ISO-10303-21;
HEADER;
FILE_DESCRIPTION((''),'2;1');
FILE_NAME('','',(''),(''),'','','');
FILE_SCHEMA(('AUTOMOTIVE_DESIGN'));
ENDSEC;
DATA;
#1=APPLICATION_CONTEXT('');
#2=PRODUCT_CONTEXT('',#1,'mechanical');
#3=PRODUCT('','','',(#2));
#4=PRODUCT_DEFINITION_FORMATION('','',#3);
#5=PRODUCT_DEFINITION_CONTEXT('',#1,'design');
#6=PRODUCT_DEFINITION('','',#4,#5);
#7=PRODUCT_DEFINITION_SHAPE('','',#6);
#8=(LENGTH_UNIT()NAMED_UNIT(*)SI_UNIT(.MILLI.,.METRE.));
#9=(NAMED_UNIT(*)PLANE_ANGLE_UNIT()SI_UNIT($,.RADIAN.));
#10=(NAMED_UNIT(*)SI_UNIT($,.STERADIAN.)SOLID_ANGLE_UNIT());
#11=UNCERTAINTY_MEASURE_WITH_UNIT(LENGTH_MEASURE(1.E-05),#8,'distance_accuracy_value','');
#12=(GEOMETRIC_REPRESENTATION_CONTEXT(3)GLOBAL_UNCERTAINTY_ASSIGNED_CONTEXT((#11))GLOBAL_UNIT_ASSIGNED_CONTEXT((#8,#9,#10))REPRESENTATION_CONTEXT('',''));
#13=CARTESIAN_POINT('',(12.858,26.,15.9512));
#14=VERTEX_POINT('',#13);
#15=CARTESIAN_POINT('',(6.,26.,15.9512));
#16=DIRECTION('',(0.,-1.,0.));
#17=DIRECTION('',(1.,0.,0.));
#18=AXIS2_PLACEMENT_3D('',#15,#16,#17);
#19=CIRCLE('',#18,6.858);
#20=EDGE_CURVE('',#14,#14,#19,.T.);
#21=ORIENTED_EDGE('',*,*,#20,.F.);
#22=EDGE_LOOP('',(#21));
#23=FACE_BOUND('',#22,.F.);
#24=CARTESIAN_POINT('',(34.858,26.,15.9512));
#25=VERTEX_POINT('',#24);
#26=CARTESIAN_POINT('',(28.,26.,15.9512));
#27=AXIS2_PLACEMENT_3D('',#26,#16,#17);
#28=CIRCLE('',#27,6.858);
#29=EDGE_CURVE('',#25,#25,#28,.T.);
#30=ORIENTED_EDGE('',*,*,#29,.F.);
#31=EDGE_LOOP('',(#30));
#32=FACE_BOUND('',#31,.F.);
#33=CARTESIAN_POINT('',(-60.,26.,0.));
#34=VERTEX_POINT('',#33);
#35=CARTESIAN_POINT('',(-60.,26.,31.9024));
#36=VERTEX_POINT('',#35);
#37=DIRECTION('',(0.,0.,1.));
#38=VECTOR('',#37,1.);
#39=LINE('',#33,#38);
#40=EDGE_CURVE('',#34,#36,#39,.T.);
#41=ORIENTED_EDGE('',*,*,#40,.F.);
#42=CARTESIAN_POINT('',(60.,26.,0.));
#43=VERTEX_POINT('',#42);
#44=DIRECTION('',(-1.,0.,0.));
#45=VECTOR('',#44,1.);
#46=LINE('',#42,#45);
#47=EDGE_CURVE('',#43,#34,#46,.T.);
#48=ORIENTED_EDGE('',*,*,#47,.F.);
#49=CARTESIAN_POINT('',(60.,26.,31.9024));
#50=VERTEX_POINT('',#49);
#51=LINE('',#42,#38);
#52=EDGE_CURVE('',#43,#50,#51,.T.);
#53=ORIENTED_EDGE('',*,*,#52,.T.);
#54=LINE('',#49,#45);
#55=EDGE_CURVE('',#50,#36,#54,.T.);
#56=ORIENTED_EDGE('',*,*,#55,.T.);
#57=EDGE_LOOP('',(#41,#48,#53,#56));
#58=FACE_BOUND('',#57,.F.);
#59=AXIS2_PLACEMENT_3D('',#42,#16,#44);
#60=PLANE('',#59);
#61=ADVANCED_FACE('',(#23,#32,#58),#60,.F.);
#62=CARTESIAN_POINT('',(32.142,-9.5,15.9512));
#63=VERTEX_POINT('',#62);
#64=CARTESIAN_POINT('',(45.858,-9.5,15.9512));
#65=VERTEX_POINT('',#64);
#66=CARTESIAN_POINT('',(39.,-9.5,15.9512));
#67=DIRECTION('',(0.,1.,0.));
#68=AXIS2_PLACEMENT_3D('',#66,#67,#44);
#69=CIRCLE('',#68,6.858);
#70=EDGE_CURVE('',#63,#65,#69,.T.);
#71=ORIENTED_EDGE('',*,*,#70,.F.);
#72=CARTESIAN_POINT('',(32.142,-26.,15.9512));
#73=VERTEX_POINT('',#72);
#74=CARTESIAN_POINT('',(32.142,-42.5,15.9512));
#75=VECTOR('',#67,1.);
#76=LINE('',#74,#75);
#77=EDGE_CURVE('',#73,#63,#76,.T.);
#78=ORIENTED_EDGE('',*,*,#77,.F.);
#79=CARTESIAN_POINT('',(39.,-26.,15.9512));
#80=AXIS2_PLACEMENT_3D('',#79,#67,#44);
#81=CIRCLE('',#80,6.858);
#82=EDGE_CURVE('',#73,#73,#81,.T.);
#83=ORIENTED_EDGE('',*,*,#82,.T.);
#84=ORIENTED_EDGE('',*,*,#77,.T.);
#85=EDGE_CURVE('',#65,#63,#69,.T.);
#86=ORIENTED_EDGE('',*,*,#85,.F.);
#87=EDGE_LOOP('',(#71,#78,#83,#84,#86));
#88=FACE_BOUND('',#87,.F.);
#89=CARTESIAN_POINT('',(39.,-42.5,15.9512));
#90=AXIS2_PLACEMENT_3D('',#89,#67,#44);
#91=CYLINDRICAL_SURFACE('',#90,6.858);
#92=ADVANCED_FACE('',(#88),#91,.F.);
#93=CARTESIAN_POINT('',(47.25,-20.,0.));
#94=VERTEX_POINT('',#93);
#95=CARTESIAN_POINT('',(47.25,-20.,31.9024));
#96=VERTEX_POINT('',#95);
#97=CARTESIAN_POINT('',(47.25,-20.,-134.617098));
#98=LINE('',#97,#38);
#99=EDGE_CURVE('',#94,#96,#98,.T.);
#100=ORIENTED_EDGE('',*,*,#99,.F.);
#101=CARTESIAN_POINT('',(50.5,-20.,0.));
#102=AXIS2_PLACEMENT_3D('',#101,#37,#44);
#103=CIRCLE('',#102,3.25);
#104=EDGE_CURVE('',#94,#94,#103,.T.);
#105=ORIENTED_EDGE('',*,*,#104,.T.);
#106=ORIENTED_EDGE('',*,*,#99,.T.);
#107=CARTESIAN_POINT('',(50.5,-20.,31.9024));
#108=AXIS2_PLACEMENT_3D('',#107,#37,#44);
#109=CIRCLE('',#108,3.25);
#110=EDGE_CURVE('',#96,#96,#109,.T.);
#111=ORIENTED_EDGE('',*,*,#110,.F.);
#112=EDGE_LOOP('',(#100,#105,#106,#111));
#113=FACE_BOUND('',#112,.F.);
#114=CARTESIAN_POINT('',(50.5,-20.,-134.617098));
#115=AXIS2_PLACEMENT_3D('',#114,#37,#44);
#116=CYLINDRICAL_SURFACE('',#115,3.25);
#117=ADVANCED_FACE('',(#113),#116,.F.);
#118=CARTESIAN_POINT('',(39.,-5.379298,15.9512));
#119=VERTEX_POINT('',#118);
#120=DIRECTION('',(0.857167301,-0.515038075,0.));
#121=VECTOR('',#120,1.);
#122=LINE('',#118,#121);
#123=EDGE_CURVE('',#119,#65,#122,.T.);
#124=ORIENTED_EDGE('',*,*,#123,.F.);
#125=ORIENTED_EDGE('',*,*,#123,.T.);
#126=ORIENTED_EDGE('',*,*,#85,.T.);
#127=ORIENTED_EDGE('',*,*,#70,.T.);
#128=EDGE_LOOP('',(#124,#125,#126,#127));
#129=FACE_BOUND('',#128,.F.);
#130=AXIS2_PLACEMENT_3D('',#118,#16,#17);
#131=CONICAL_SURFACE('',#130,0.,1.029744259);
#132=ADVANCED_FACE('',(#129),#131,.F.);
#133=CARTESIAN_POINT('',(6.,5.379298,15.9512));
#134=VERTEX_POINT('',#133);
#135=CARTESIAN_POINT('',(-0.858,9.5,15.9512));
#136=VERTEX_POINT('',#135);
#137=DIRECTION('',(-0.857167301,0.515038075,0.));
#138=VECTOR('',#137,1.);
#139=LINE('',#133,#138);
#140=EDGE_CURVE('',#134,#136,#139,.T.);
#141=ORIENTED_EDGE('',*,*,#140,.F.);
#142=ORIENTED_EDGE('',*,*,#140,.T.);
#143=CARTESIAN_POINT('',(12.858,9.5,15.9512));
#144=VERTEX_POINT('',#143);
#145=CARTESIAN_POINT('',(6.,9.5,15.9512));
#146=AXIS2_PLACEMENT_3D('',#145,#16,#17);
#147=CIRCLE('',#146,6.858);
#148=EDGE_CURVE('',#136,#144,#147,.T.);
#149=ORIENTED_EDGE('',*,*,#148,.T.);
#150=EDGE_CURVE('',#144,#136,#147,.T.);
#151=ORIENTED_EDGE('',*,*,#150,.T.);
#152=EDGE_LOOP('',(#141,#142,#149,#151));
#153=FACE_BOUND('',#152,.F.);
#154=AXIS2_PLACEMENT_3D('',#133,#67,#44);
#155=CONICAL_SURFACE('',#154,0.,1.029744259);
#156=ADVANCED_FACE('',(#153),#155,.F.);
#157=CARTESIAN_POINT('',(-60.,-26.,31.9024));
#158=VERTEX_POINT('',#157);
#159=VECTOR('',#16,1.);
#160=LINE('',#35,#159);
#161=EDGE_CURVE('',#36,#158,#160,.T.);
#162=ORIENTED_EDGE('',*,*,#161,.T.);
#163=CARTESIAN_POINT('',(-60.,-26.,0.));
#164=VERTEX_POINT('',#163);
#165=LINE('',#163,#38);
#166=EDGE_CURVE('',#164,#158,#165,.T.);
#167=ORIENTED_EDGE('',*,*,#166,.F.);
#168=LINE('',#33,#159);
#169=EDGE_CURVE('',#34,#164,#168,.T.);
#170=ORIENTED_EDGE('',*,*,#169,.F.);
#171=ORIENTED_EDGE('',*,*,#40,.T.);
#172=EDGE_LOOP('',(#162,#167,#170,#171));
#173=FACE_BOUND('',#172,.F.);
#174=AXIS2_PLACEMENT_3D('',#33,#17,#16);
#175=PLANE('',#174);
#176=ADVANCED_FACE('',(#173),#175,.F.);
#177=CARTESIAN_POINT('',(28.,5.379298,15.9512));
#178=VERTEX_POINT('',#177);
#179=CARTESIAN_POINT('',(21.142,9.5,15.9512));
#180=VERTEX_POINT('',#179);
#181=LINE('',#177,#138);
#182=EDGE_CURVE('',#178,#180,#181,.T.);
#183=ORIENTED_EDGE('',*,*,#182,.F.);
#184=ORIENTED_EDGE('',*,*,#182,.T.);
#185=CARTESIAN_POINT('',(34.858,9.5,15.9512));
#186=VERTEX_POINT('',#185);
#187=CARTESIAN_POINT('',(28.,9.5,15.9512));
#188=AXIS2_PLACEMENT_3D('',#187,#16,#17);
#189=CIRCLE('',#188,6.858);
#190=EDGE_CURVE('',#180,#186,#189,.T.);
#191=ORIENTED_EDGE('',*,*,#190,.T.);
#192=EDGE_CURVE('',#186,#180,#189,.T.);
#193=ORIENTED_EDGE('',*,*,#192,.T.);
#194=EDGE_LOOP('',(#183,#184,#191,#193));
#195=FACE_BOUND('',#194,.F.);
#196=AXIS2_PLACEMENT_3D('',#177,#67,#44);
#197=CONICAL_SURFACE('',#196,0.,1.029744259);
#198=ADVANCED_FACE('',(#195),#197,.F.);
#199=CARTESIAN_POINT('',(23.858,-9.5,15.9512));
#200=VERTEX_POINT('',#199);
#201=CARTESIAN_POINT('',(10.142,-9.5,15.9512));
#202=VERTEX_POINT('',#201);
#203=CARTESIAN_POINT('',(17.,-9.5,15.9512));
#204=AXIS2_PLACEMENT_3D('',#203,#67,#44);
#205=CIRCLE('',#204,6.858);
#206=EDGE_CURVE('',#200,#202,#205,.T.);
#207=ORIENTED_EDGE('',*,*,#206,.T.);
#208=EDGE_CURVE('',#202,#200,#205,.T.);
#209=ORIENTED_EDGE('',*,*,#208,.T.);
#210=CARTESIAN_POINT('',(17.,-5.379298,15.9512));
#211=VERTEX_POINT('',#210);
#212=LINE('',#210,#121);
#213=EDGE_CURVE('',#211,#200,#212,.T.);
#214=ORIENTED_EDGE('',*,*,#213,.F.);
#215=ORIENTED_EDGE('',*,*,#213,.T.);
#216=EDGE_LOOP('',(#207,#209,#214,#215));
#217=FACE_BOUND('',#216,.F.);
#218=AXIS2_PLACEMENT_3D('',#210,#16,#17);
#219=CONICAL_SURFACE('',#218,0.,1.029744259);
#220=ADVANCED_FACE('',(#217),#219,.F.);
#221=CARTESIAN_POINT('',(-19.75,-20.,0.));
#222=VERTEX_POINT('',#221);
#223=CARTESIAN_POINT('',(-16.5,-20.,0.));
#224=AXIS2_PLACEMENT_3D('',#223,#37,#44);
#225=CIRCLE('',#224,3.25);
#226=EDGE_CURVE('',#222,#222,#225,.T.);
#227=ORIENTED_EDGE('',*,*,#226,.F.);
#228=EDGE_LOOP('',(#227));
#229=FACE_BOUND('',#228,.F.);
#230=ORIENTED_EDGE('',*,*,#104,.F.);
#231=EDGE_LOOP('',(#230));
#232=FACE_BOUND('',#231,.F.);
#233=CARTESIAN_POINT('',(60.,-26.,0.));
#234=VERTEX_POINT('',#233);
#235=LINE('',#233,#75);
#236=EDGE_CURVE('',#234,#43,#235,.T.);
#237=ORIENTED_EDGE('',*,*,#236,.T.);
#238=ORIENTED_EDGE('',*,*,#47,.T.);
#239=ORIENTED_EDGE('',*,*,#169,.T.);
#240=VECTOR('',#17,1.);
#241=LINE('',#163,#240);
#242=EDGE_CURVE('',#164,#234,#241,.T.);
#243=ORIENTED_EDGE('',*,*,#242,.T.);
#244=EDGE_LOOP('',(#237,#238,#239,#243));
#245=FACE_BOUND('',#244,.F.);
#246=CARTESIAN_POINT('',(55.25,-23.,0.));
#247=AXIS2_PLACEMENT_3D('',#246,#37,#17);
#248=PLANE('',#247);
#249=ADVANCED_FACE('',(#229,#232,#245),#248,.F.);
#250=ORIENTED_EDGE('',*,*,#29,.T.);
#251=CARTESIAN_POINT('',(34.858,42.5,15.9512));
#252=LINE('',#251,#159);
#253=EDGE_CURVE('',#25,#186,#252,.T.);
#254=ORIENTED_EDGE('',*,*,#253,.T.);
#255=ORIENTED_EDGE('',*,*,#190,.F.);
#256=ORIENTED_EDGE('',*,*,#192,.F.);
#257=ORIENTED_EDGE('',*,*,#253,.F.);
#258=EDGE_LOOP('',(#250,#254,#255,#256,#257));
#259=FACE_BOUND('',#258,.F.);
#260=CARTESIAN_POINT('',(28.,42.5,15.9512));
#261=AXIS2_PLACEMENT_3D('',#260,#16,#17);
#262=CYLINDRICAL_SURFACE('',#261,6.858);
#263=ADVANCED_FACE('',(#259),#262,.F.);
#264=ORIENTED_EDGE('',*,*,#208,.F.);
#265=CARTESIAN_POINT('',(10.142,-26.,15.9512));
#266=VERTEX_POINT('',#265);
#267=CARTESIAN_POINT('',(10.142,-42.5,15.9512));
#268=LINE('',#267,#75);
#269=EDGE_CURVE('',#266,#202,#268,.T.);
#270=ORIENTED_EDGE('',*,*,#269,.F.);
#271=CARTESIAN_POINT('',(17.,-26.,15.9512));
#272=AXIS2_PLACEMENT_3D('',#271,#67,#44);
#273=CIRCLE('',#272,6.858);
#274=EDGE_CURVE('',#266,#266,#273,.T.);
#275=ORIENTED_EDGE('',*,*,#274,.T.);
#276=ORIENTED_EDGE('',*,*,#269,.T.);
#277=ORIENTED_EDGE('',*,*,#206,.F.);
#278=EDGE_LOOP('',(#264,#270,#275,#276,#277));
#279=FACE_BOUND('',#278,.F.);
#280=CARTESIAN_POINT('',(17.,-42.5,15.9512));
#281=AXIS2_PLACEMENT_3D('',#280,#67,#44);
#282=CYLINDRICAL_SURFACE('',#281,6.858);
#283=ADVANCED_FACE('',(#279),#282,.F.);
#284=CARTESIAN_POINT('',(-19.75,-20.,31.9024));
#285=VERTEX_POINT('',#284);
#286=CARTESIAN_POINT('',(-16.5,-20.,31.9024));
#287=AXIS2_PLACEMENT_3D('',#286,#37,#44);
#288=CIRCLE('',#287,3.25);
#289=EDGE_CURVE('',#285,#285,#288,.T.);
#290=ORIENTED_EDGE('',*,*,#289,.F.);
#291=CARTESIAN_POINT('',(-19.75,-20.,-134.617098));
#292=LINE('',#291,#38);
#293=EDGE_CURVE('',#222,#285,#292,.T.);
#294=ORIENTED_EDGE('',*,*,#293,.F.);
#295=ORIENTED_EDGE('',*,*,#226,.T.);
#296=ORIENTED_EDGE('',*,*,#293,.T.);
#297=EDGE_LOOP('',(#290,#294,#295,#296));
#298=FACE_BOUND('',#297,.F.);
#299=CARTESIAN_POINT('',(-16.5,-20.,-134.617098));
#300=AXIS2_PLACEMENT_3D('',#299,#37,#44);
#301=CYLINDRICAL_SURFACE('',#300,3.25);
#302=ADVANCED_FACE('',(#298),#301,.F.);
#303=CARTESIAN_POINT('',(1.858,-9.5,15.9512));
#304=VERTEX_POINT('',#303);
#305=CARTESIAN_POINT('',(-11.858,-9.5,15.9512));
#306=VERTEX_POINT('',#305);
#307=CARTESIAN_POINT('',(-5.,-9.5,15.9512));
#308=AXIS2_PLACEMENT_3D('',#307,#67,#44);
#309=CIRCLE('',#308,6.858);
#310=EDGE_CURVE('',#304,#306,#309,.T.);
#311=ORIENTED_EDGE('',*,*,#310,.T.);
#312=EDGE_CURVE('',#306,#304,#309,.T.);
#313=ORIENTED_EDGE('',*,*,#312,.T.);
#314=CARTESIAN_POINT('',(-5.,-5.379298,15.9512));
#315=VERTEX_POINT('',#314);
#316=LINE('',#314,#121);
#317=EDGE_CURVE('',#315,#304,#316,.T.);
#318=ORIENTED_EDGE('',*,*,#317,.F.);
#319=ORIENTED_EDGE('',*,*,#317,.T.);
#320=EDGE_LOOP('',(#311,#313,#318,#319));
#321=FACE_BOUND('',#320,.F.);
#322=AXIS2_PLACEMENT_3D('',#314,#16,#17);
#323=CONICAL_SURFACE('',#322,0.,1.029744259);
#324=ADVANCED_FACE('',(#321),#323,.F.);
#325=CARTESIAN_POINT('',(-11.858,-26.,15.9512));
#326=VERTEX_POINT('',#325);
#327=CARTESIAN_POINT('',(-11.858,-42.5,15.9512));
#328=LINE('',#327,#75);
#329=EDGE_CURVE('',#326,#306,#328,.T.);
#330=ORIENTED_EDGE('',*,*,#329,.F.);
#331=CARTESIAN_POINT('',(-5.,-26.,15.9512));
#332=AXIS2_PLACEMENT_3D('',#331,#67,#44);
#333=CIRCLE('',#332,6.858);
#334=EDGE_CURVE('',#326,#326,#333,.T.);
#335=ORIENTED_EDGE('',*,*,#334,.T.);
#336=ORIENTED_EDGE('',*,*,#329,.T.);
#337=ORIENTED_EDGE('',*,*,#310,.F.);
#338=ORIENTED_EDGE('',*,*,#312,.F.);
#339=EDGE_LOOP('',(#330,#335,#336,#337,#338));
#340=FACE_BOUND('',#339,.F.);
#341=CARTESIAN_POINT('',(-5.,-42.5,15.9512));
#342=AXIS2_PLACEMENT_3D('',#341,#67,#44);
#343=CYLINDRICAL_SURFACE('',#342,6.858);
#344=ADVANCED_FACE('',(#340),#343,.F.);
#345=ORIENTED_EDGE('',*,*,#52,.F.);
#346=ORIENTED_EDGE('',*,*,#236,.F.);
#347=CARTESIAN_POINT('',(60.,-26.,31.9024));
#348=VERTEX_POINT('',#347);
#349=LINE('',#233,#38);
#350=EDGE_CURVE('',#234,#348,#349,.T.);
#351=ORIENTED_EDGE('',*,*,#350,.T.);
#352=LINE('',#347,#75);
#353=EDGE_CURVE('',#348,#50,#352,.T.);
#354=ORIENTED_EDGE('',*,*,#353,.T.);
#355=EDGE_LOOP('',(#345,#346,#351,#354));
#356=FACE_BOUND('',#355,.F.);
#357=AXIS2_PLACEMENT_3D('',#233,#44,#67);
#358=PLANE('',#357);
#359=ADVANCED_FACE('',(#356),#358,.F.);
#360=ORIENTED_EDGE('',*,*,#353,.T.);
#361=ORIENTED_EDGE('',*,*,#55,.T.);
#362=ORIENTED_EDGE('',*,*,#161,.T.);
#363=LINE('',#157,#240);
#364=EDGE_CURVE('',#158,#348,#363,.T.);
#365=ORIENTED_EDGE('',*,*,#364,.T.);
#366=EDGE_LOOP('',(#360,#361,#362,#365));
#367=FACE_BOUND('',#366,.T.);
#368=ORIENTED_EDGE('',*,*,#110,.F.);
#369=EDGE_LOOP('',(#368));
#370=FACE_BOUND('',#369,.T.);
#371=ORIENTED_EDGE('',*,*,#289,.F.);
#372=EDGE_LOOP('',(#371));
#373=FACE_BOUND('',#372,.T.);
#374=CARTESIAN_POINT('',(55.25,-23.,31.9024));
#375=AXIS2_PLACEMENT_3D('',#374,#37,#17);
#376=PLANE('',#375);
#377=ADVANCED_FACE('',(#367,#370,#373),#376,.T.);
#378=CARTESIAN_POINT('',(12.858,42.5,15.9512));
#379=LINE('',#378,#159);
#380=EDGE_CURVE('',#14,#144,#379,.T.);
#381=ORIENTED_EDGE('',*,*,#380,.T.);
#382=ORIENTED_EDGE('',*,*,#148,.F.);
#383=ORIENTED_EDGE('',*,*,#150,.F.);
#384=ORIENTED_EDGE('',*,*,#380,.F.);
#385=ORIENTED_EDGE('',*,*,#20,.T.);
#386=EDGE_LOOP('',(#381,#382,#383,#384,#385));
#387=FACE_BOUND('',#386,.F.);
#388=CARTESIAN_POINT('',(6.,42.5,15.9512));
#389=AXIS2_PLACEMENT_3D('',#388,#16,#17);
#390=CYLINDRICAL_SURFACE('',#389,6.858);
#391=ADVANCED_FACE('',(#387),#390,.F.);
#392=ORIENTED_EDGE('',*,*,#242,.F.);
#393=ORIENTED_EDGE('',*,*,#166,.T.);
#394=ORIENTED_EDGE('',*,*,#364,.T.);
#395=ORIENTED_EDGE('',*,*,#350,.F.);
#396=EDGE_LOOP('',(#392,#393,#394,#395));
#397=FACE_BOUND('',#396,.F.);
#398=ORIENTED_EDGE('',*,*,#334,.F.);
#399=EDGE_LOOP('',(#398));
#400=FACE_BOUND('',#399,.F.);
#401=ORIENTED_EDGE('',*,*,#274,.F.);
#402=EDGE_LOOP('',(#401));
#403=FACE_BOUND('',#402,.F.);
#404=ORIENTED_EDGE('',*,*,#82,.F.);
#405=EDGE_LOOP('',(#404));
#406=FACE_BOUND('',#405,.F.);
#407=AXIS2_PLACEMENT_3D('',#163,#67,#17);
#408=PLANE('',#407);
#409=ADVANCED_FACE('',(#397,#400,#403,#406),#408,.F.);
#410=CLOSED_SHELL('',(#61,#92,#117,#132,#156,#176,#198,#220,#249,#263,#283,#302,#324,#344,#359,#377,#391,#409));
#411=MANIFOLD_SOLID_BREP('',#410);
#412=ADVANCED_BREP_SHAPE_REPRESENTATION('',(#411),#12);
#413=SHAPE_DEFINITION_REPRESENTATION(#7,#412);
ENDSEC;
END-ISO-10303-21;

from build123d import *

# Parameters (mm, degrees)
F0_W           = 9.5
F0_H           = 6
F0_W_2         = 67
F0_H_2         = 46
F0_W_3         = 43.5
F1_DEPTH       = 31.9024
F2_D           = 6.5
F5_D           = 13.716
F5_DEPTH       = 16.5
F5_TIP         = 4.1207021253
F5_ON_F4_D     = 13.716
F5_ON_F4_DEPTH = 16.5
F5_ON_F4_TIP   = 4.1207021253


with BuildPart() as f1:
    # F0 (on Top) → F1 (new body)
    with BuildSketch(Plane.XY):
        with Locations((55.25, -23)):
            Rectangle(F0_W, F0_H)
        with Locations((17, -23)):
            Rectangle(F0_W_2, F0_H)
        with Locations((55.25, 3)):
            Rectangle(F0_W, F0_H_2)
        with Locations((-38.25, -23)):
            Rectangle(F0_W_3, F0_H)
        with Locations((17, 3)):
            Rectangle(F0_W_2, F0_H_2)
        with Locations((-38.25, 3)):
            Rectangle(F0_W_3, F0_H_2)
    extrude(amount=F1_DEPTH)

    # F2 (through all)
    with Locations(Plane(origin=(0, 0, 0), x_dir=(1, 0, 0), z_dir=(0, 0, -1))):
        with Locations((-16.5, 20), (50.5, 20)):
            Hole(F2_D / 2)

    # F5
    with Locations(Plane.XZ.offset(26)):
        with Locations((-5, 15.9512), (17, 15.9512), (39, 15.9512)):
            Hole(F5_D / 2, depth=F5_DEPTH)
            with Locations((0, 0, -(F5_DEPTH + F5_TIP / 2))):  # 118° drill point
                Cone(0, F5_D / 2, F5_TIP, mode=Mode.SUBTRACT)

    # F5 on F4
    with Locations(Plane(origin=(0, 26, 0), x_dir=(-1, 0, 0), z_dir=(0, 1, 0))):
        with Locations((-28, 15.9512), (-6, 15.9512)):
            Hole(F5_ON_F4_D / 2, depth=F5_ON_F4_DEPTH)
            with Locations((0, 0, -(F5_ON_F4_DEPTH + F5_ON_F4_TIP / 2))):  # 118° drill point
                Cone(0, F5_ON_F4_D / 2, F5_ON_F4_TIP, mode=Mode.SUBTRACT)


solid = f1.part
